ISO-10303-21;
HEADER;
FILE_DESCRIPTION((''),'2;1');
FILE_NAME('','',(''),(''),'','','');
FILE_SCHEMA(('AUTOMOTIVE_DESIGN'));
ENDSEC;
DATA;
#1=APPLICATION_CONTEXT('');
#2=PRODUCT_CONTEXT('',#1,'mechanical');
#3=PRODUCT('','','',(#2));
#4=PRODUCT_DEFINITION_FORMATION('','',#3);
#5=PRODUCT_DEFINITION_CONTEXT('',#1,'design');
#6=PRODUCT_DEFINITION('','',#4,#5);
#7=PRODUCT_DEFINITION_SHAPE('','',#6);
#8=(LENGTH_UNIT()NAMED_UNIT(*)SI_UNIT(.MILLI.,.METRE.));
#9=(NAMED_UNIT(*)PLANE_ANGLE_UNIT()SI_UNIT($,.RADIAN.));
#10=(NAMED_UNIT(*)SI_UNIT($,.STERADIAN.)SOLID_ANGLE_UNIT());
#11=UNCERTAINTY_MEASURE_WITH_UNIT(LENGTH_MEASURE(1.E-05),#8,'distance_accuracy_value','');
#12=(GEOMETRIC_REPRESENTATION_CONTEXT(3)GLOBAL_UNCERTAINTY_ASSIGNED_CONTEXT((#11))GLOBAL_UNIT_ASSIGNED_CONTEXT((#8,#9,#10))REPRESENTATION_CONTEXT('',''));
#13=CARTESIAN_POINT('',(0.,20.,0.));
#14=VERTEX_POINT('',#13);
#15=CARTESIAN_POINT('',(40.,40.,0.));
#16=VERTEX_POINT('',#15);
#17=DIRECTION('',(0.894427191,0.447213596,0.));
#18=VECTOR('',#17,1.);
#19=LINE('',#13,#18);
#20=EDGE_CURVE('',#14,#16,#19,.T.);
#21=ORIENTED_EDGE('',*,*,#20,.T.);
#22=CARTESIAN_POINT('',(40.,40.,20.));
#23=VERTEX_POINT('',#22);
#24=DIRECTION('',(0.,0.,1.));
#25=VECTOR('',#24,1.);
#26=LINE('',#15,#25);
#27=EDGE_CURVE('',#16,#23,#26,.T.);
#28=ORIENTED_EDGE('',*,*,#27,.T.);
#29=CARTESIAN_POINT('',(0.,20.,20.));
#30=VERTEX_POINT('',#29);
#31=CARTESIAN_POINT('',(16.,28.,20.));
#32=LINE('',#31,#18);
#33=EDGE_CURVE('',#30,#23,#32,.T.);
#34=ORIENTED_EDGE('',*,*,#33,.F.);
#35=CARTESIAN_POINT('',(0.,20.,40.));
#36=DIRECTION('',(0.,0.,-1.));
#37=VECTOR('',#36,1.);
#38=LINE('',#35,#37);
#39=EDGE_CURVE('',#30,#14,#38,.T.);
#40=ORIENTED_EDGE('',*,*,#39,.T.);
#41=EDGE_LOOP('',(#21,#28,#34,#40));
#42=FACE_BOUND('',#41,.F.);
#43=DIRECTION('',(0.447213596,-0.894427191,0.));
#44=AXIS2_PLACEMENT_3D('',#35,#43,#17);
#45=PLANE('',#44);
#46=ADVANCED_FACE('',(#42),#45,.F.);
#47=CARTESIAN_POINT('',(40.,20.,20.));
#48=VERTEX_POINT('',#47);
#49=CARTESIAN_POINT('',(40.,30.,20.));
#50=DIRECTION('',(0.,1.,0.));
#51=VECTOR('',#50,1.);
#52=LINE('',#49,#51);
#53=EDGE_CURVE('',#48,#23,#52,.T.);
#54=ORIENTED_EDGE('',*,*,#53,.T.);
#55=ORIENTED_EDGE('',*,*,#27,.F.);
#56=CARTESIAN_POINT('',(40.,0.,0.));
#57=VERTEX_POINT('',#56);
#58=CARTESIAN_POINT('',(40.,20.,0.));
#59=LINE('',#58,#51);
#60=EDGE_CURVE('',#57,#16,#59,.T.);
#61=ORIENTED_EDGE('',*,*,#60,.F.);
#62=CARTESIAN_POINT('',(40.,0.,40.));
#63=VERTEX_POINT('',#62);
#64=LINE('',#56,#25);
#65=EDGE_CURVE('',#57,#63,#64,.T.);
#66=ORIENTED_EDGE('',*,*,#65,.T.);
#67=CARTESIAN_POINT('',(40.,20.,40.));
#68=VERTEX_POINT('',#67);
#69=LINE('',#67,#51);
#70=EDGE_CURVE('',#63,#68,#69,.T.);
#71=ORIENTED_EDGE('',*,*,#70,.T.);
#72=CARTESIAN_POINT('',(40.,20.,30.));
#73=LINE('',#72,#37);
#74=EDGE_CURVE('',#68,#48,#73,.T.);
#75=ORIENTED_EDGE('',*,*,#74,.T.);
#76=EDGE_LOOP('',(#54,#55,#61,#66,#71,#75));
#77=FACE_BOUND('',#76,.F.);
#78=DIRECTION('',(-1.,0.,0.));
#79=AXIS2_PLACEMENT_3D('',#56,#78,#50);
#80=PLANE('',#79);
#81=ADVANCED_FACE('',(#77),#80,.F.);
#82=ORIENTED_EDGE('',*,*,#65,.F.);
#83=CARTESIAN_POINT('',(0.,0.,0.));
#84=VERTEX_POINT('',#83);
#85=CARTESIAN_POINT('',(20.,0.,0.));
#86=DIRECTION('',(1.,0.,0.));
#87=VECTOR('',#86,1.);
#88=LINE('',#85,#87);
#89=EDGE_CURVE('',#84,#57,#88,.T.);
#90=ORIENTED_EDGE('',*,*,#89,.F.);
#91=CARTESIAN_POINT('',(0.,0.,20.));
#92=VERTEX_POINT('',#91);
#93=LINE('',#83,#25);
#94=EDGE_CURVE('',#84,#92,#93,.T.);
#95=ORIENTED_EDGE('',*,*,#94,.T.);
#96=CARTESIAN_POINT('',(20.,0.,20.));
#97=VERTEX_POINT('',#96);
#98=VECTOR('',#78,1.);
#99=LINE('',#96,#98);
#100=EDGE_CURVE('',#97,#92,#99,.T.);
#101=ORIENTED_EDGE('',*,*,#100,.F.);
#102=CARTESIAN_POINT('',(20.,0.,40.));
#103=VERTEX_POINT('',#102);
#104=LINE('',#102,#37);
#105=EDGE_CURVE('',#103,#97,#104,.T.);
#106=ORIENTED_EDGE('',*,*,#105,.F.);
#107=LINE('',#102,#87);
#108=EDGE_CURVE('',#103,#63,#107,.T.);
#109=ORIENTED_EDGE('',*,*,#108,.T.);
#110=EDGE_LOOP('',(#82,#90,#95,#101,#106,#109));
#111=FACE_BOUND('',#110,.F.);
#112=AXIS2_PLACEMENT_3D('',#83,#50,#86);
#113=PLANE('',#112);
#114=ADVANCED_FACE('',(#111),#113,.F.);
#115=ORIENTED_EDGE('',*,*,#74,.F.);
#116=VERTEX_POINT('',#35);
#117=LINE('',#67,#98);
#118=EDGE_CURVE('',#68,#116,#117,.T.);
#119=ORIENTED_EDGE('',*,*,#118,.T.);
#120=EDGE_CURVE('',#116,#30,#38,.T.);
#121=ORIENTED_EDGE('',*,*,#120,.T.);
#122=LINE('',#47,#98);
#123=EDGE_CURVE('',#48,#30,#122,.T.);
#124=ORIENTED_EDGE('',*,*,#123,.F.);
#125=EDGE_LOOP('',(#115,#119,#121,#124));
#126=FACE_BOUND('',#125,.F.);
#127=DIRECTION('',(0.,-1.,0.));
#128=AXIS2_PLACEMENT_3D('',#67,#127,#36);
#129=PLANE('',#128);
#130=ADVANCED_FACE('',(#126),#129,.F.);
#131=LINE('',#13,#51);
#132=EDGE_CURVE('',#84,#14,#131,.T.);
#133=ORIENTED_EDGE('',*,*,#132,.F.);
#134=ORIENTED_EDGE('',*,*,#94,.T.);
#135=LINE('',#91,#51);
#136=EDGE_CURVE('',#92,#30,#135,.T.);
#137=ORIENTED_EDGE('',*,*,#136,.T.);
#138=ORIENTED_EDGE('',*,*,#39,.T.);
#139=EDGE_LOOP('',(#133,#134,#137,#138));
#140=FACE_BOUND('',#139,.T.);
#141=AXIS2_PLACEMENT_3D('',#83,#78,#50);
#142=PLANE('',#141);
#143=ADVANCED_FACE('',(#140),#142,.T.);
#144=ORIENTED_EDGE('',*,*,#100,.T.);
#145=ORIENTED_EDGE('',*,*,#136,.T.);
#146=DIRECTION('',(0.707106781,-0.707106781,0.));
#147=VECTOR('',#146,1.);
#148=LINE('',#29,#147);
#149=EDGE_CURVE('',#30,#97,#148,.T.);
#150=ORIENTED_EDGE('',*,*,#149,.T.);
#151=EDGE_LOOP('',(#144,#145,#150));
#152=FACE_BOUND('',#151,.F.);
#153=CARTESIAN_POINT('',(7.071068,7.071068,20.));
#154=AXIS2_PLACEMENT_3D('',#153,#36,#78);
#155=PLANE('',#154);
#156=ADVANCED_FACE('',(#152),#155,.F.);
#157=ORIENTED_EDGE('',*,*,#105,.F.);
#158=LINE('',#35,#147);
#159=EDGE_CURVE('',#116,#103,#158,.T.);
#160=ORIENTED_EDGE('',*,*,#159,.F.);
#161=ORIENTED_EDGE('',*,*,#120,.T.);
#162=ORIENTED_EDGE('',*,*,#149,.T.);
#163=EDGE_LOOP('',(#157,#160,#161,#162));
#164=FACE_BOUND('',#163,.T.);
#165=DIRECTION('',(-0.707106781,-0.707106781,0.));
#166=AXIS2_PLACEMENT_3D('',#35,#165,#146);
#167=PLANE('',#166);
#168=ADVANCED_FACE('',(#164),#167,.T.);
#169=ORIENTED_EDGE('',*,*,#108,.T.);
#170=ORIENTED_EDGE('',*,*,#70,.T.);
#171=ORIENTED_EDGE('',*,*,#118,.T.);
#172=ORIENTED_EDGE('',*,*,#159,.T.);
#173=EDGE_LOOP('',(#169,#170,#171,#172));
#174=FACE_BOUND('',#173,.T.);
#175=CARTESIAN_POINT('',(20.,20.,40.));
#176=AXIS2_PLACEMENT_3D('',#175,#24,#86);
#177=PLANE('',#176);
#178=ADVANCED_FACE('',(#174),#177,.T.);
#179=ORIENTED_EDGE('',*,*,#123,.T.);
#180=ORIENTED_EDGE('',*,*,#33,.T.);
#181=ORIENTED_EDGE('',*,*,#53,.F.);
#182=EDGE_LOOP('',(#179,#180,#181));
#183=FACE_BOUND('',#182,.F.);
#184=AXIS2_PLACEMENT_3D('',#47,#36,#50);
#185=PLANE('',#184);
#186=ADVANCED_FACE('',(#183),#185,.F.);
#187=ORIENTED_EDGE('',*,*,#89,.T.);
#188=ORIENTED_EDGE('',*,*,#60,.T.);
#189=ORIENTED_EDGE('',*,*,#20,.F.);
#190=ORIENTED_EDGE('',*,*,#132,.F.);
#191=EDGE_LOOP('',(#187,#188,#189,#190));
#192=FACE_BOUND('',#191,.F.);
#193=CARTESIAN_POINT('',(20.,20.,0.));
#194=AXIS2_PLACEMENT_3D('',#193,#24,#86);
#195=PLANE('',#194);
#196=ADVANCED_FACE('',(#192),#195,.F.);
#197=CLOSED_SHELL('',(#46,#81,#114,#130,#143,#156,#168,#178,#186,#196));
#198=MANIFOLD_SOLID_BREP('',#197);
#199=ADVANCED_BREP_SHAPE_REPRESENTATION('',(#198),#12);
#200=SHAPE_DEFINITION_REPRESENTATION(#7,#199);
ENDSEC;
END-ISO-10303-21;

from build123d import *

# Parameters (mm, degrees)
SKETCH1_W           = 40
SKETCH1_H           = 40
BOSS_EXTRUDE1_DEPTH = 40
CUT_EXTRUDE1_DEPTH  = 40
SKETCH3_W           = 20
SKETCH3_H           = 20
CUT_EXTRUDE2_DEPTH  = 40
CUT_EXTRUDE4_DEPTH  = 20


with BuildPart() as part:
    # Sketch1 → Boss-Extrude1 (new body)
    with BuildSketch(Plane.XY):
        with Locations((20, 20)):
            Rectangle(SKETCH1_W, SKETCH1_H)
    extrude(amount=BOSS_EXTRUDE1_DEPTH)

    # Sketch2 → Cut-Extrude1 (cut)
    with BuildSketch(Plane.XY.offset(40)):
        Polygon((40, 40), (0, 40), (0, 20), align=None)
    extrude(amount=-CUT_EXTRUDE1_DEPTH, mode=Mode.SUBTRACT)

    # Sketch3 → Cut-Extrude2 (cut)
    with BuildSketch(Plane(origin=(40, 0, 0), x_dir=(0, 0, -1), z_dir=(1, 0, 0))):
        with Locations((-30, 30)):
            Rectangle(SKETCH3_W, SKETCH3_H)
    extrude(amount=-CUT_EXTRUDE2_DEPTH, mode=Mode.SUBTRACT)

    # Sketch4 → Cut-Extrude4 (cut)
    with BuildSketch(Plane.XY.offset(40)):
        Polygon((0, 20), (20, 0), (0, 0), align=None)
    extrude(amount=-CUT_EXTRUDE4_DEPTH, mode=Mode.SUBTRACT)


solid = part.part
